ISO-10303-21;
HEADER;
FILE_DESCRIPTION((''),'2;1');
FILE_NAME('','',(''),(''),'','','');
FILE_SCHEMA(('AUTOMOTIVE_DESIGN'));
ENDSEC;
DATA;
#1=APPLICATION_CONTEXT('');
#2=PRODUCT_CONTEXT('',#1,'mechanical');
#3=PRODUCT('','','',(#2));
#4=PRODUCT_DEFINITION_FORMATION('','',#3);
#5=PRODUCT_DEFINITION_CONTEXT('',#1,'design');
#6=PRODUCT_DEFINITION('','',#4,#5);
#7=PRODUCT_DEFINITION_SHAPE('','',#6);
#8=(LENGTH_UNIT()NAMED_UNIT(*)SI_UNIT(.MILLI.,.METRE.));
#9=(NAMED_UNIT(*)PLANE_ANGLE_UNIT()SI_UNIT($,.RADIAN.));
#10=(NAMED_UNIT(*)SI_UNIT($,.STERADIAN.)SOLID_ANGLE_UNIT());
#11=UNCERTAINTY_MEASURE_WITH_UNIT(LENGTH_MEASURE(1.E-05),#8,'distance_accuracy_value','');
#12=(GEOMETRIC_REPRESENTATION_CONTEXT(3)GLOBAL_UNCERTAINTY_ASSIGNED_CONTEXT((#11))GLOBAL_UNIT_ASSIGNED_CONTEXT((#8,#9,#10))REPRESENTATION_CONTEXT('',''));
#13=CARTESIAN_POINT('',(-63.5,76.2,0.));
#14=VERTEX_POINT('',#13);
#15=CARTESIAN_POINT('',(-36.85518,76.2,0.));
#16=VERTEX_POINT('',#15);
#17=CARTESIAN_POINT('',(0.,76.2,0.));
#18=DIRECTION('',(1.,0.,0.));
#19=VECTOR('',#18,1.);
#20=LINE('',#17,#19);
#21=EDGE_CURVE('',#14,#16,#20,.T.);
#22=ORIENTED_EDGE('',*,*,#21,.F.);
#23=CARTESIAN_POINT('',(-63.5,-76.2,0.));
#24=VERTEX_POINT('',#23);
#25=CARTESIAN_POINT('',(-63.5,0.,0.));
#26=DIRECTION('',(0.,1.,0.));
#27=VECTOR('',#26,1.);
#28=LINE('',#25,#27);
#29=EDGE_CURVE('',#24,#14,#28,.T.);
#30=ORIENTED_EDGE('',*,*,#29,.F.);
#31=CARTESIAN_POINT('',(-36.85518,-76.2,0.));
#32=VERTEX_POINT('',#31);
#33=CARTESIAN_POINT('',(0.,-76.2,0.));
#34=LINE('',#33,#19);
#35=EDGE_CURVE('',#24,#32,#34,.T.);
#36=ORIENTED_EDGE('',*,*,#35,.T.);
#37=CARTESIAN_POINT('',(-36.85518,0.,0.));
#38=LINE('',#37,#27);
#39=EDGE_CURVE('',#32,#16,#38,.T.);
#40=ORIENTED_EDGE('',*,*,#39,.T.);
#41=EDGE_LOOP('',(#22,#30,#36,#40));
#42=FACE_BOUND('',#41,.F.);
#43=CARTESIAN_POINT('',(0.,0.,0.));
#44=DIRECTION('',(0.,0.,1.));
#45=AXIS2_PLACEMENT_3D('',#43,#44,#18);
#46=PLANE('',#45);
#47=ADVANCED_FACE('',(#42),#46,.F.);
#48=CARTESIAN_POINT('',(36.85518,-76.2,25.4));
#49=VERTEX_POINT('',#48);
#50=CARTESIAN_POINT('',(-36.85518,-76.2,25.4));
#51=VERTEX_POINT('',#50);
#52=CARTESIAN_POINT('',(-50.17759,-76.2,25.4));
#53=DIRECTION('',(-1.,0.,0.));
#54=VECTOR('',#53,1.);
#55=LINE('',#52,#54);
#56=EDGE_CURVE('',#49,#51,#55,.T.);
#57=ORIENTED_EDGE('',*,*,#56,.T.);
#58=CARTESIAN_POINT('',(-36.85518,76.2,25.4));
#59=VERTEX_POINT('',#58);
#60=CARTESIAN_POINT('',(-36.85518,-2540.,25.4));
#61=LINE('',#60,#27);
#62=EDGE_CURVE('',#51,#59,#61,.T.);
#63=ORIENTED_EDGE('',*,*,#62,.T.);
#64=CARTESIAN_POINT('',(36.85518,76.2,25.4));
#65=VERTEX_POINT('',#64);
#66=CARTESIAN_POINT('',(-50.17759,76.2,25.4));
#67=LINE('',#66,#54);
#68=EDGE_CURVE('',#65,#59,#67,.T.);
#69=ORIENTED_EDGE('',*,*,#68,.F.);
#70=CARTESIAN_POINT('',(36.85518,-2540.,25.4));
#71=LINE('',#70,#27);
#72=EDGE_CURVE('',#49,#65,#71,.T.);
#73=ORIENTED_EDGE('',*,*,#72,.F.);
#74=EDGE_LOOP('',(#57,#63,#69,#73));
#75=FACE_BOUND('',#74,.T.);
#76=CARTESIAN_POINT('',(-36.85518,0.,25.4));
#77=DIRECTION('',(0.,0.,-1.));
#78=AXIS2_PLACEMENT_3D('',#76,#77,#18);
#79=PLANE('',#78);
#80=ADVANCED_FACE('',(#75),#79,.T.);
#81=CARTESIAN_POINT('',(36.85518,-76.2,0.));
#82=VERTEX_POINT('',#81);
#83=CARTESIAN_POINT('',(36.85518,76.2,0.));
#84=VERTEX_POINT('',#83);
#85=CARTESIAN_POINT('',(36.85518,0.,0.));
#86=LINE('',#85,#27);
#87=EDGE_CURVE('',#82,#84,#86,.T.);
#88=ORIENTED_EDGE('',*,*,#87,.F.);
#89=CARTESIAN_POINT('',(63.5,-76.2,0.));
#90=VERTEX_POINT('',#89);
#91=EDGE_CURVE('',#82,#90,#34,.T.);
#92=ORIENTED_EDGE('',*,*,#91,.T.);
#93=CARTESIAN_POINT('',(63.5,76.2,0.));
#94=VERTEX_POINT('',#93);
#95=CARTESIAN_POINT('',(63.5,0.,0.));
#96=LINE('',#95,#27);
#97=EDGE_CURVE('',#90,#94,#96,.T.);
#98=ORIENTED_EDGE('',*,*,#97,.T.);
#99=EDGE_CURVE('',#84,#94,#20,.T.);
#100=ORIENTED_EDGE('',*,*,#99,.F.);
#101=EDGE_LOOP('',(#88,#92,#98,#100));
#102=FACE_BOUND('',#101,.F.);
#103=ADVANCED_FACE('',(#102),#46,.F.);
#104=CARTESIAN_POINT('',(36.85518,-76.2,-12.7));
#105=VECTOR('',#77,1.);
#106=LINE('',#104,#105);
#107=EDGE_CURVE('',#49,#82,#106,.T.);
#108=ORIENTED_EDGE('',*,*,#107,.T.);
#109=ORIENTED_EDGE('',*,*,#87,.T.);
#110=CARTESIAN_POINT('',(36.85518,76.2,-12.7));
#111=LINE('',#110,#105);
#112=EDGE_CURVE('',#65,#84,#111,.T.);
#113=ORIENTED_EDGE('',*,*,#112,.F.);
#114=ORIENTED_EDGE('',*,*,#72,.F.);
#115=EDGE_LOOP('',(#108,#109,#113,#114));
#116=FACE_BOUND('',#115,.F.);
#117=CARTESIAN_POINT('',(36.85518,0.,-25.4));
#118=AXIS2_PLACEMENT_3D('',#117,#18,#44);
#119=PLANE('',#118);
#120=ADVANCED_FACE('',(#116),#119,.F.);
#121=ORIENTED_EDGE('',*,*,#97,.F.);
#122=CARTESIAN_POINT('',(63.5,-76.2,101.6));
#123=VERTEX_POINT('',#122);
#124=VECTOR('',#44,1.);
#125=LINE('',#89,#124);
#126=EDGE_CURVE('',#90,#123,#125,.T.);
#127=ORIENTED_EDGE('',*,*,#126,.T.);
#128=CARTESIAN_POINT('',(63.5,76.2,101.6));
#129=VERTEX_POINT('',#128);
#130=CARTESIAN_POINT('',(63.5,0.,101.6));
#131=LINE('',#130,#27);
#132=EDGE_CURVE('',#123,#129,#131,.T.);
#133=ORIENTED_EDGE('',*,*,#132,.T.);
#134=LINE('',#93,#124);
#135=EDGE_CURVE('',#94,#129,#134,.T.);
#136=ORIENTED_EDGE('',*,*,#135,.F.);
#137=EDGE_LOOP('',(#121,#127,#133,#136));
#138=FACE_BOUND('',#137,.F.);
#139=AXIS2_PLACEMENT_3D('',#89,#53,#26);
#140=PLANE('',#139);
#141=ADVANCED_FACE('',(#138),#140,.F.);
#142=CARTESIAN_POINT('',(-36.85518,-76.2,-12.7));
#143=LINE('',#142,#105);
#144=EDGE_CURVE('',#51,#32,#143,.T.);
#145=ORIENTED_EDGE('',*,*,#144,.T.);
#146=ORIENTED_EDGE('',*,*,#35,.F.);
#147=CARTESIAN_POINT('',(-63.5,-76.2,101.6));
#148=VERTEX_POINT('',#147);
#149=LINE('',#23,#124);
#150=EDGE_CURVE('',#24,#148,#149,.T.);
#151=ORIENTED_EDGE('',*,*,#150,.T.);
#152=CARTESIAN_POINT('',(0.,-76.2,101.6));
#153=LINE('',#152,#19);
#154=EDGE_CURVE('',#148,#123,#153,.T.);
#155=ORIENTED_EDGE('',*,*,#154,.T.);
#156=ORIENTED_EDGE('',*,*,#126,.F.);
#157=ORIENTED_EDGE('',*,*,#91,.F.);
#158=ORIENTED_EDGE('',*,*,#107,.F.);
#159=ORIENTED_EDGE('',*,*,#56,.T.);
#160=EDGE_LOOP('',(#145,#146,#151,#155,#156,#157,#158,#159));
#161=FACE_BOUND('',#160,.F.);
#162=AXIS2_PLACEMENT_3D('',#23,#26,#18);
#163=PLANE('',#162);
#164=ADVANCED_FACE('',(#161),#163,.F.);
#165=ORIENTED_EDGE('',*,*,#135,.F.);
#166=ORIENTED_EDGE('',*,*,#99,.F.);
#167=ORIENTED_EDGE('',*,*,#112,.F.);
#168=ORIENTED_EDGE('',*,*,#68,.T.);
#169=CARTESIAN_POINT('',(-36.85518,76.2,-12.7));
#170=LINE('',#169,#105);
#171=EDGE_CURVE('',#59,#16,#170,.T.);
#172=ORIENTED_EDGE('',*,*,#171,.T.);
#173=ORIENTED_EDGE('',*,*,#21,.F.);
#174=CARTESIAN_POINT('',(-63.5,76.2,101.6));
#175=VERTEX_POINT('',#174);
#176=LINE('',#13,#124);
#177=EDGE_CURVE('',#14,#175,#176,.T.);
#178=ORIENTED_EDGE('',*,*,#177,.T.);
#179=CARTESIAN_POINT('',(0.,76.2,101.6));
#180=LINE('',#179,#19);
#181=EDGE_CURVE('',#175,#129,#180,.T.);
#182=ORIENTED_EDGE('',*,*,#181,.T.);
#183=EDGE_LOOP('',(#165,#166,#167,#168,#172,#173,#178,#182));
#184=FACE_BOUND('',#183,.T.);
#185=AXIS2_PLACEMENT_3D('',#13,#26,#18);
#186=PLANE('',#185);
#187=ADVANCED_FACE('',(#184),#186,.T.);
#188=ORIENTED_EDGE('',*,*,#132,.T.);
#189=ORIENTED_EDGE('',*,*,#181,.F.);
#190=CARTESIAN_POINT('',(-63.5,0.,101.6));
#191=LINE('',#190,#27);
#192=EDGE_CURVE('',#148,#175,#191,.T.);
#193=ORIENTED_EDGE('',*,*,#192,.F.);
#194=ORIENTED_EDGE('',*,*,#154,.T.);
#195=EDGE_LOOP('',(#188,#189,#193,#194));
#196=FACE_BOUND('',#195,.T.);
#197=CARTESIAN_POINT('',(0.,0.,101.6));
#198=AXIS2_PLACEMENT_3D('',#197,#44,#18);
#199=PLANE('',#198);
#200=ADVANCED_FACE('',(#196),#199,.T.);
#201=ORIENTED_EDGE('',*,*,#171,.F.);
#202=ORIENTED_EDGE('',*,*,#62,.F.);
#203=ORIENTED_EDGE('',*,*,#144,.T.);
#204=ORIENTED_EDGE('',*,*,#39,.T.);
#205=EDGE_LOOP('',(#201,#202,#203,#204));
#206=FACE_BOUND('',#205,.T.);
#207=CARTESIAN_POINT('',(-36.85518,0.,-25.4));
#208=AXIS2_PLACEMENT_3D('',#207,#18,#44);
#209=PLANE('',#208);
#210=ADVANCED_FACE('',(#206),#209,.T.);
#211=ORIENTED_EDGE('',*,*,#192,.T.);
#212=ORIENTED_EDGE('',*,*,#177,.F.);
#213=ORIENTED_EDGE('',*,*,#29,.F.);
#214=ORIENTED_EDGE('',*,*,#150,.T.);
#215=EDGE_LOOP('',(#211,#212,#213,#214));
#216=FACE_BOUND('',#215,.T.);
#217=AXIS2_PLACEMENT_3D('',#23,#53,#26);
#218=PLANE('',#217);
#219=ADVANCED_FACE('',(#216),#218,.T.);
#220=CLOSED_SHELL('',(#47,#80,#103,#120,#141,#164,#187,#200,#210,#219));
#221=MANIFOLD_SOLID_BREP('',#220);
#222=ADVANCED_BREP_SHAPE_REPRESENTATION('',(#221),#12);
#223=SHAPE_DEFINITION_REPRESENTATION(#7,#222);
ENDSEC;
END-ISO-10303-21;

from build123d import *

# Parameters (mm, degrees)
F0_W     = 127
F0_H     = 152.4
F1_DEPTH = 101.6
F2_W     = 73.71036
F2_H     = 50.8
F3_DEPTH = 2540


with BuildPart() as f1:
    # F0 (on Top) → F1 (new body)
    with BuildSketch(Plane.XY):
        Rectangle(F0_W, F0_H)
    extrude(amount=F1_DEPTH)

    # F2 (on Front) → F3 (cut, symmetric)
    with BuildSketch(Plane.XZ):
        Rectangle(F2_W, F2_H)
    extrude(amount=F3_DEPTH, both=True, mode=Mode.SUBTRACT)


solid = f1.part
